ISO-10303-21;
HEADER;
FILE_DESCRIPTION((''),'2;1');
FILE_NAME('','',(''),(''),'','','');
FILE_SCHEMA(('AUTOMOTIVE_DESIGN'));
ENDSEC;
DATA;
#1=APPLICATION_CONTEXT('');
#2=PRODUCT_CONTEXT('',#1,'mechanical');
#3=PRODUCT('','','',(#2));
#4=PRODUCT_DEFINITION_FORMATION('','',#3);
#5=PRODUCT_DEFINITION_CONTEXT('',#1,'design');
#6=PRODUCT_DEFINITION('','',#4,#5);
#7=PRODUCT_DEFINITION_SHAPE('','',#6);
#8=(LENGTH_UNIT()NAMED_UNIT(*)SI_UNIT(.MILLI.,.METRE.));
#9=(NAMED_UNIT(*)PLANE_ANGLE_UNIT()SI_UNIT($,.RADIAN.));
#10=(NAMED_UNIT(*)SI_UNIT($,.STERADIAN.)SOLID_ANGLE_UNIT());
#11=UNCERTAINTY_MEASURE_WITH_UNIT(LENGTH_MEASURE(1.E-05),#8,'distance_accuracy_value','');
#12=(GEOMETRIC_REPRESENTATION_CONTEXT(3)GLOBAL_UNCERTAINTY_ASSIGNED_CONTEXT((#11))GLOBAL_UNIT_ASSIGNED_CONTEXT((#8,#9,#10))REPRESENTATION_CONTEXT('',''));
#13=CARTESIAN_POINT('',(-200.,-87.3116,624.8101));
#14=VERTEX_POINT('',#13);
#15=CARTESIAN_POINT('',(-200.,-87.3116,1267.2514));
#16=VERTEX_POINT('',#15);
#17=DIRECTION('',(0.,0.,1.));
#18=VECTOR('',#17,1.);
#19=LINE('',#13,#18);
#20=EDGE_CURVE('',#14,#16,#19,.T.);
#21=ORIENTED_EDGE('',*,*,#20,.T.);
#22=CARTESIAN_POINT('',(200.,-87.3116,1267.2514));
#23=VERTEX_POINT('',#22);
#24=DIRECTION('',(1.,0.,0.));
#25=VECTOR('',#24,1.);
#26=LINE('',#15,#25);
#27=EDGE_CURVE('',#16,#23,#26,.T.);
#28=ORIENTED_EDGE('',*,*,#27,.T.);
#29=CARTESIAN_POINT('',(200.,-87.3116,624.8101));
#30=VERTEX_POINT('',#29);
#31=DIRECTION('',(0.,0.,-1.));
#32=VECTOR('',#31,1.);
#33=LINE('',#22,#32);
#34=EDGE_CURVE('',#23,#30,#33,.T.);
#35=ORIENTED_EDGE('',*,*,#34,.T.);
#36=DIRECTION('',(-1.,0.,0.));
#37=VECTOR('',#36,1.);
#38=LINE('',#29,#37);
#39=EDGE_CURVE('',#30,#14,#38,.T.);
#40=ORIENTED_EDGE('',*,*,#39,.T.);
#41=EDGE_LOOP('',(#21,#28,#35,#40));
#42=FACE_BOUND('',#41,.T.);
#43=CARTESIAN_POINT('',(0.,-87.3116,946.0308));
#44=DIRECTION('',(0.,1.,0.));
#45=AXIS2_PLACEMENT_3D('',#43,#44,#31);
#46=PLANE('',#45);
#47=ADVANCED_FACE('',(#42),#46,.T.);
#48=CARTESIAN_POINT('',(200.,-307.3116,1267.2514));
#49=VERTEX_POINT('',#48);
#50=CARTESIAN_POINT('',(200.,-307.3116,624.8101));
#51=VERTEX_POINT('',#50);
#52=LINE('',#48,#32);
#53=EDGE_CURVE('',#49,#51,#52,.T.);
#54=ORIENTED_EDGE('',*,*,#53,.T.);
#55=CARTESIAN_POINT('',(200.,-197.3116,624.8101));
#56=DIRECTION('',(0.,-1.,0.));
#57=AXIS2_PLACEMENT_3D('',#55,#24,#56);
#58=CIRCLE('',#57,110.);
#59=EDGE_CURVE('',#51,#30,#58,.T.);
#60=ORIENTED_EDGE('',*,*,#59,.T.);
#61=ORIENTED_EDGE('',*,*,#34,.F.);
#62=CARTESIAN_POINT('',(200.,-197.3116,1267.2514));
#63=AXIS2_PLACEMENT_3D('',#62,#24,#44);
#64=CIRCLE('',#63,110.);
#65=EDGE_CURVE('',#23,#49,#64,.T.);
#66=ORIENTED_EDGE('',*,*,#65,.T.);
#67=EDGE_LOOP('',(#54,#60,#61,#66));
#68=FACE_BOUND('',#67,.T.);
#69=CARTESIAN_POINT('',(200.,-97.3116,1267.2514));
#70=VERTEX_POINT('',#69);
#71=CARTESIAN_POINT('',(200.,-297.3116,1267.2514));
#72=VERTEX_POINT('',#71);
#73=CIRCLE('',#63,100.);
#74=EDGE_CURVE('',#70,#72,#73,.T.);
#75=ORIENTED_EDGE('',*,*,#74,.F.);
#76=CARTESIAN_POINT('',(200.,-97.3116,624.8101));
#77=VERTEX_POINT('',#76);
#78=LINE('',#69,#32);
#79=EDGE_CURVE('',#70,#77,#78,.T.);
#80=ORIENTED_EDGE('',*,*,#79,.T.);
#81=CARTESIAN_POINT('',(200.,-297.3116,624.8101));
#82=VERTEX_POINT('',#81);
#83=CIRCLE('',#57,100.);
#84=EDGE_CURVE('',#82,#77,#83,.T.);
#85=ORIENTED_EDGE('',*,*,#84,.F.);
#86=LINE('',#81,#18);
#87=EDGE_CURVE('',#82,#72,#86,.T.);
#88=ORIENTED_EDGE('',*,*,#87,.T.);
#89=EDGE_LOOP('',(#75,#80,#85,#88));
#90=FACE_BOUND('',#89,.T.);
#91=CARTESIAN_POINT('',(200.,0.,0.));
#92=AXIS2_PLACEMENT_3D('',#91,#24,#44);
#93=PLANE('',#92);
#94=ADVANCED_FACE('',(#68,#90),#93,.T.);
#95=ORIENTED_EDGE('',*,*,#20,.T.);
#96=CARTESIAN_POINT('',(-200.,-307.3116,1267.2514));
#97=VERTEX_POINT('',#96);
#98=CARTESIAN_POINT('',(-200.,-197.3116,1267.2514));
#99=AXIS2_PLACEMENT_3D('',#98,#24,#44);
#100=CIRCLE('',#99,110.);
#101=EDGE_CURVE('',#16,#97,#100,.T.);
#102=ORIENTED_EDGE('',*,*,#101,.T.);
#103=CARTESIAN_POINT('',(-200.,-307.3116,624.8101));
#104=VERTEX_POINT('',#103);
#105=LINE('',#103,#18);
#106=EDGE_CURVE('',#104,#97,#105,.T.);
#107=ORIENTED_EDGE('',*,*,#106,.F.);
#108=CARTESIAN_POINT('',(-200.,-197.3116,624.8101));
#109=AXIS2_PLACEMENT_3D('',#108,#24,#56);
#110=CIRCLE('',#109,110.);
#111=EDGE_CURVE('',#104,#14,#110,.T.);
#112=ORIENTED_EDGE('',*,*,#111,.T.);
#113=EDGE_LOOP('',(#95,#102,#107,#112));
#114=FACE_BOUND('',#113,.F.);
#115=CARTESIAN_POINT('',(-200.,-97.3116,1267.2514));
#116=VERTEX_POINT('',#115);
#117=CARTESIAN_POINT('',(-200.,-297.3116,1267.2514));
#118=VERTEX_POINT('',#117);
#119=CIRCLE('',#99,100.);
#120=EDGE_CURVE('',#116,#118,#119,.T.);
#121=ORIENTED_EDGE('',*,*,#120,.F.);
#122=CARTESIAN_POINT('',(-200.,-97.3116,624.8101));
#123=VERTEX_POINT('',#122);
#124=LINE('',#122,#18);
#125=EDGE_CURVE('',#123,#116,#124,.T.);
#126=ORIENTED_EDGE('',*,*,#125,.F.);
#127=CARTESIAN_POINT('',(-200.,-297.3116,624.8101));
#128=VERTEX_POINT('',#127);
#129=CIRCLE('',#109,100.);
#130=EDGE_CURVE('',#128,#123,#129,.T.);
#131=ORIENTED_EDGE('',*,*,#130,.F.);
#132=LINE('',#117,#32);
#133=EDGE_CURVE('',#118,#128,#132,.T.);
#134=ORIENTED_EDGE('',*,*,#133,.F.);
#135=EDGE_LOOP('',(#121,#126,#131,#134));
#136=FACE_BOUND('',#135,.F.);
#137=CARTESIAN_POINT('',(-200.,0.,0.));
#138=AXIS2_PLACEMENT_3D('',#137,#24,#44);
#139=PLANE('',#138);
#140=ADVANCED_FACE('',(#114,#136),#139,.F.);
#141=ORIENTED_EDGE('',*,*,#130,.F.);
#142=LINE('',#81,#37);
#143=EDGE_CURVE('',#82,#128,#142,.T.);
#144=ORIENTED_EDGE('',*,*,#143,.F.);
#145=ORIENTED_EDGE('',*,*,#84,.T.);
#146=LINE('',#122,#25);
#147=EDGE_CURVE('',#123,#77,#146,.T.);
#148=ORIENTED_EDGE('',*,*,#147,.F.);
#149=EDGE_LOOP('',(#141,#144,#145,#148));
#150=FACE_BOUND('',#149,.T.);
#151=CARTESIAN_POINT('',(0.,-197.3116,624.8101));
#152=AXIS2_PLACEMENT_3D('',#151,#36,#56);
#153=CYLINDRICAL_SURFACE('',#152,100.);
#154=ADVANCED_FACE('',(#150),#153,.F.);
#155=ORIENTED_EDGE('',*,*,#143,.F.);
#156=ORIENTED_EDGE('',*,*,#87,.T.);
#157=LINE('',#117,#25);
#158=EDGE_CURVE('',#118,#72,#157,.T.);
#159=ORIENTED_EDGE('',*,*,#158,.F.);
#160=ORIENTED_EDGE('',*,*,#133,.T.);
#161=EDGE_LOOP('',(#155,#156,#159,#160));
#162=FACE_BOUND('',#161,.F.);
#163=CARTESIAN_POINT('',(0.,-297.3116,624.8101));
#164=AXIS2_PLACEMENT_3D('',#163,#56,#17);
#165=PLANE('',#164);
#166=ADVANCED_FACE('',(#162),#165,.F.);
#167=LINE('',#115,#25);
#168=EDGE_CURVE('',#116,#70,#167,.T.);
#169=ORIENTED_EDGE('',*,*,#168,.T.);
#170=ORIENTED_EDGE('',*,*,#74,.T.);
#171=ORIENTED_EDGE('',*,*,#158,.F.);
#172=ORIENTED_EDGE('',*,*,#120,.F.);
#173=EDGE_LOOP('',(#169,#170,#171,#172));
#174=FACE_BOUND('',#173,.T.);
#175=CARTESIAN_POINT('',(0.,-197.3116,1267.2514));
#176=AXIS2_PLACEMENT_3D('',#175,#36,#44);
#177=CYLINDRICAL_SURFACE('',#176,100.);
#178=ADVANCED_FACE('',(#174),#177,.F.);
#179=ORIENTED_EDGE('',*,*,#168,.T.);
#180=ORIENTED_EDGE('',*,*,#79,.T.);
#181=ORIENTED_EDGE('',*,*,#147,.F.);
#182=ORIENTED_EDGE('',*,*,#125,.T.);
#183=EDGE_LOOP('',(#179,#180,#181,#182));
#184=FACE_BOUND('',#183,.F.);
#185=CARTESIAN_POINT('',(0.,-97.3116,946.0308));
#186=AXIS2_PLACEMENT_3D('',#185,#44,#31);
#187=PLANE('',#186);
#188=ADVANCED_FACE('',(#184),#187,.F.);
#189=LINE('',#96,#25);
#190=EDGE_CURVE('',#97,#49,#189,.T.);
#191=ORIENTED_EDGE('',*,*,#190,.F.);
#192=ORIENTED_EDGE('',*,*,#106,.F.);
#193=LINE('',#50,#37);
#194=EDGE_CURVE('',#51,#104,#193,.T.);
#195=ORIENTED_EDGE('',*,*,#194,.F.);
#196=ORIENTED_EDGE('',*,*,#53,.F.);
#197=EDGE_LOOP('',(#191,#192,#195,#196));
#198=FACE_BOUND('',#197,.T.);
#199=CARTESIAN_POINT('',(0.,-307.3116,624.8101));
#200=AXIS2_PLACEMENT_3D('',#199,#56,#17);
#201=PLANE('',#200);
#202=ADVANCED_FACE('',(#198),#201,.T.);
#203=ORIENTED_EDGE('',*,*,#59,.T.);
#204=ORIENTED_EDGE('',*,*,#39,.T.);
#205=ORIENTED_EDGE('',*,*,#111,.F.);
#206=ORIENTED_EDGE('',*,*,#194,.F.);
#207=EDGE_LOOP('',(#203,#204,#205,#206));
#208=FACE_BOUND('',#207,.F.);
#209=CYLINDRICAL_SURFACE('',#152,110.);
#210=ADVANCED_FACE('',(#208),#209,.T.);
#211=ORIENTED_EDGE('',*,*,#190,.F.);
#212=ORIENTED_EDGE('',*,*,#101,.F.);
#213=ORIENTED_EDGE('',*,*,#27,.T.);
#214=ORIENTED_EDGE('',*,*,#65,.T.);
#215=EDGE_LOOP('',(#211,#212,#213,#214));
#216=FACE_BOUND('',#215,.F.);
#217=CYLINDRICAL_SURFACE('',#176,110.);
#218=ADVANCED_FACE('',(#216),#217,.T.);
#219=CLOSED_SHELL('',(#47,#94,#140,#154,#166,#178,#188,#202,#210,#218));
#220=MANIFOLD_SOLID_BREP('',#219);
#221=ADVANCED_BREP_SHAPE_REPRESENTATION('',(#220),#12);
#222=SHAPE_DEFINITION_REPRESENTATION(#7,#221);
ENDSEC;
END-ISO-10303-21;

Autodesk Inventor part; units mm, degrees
ref_plane "YZ Plane" through (0, 0, 0) normal (1, 0, 0) x (0, 1, 0)
ref_plane "XZ Plane" through (0, 0, 0) normal (0, 1, 0) x (-1, 0, 0)
ref_plane "XY Plane" through (0, 0, 0) normal (0, 0, 1) x (1, 0, 0)
sketch "Skizze3" plane through (0, 0, 0) normal (1, 0, 0) x (0, 1, 0)
  line L0 (-97.3116, 946.0308) -> (-97.3116, 624.8101)
  arc A0 (-297.3116, 624.8101) -> (-97.3116, 624.8101) centre (-197.3116, 624.8101) ccw
  line L1 (-297.3116, 624.8101) -> (-297.3116, 1009.2763)
  line L2 (-97.3116, 946.0308) -> (-97.3116, 1267.2514)
  arc A1 (-97.3116, 1267.2514) -> (-297.3116, 1267.2514) centre (-197.3116, 1267.2514) ccw
  line L3 (-297.3116, 1267.2514) -> (-297.3116, 1009.2763)
  line L4 (-87.3116, 946.0308) -> (-87.3116, 624.8101)
  arc A2 (-307.3116, 624.8101) -> (-87.3116, 624.8101) centre (-197.3116, 624.8101) ccw
  line L5 (-307.3116, 624.8101) -> (-307.3116, 946.0308)
  line L6 (-87.3116, 946.0308) -> (-307.3116, 946.0308)
  line L7 (-307.3116, 1267.2514) -> (-307.3116, 946.0308)
  line L8 (-87.3116, 946.0308) -> (-87.3116, 1267.2514)
  arc A3 (-87.3116, 1267.2514) -> (-307.3116, 1267.2514) centre (-197.3116, 1267.2514) ccw
  point P0 (0, 0)
  dimension "d0" = 110
  dimension "d1" = 100
extrude "Extrusion1" add sketch "Skizze3" along normal mid plane 400 contours L6 L4 A2 L5 L1 A0 L0 | L2 A1 L3 L1 L6 L7 A3 L8
properties part number "Förderband"
